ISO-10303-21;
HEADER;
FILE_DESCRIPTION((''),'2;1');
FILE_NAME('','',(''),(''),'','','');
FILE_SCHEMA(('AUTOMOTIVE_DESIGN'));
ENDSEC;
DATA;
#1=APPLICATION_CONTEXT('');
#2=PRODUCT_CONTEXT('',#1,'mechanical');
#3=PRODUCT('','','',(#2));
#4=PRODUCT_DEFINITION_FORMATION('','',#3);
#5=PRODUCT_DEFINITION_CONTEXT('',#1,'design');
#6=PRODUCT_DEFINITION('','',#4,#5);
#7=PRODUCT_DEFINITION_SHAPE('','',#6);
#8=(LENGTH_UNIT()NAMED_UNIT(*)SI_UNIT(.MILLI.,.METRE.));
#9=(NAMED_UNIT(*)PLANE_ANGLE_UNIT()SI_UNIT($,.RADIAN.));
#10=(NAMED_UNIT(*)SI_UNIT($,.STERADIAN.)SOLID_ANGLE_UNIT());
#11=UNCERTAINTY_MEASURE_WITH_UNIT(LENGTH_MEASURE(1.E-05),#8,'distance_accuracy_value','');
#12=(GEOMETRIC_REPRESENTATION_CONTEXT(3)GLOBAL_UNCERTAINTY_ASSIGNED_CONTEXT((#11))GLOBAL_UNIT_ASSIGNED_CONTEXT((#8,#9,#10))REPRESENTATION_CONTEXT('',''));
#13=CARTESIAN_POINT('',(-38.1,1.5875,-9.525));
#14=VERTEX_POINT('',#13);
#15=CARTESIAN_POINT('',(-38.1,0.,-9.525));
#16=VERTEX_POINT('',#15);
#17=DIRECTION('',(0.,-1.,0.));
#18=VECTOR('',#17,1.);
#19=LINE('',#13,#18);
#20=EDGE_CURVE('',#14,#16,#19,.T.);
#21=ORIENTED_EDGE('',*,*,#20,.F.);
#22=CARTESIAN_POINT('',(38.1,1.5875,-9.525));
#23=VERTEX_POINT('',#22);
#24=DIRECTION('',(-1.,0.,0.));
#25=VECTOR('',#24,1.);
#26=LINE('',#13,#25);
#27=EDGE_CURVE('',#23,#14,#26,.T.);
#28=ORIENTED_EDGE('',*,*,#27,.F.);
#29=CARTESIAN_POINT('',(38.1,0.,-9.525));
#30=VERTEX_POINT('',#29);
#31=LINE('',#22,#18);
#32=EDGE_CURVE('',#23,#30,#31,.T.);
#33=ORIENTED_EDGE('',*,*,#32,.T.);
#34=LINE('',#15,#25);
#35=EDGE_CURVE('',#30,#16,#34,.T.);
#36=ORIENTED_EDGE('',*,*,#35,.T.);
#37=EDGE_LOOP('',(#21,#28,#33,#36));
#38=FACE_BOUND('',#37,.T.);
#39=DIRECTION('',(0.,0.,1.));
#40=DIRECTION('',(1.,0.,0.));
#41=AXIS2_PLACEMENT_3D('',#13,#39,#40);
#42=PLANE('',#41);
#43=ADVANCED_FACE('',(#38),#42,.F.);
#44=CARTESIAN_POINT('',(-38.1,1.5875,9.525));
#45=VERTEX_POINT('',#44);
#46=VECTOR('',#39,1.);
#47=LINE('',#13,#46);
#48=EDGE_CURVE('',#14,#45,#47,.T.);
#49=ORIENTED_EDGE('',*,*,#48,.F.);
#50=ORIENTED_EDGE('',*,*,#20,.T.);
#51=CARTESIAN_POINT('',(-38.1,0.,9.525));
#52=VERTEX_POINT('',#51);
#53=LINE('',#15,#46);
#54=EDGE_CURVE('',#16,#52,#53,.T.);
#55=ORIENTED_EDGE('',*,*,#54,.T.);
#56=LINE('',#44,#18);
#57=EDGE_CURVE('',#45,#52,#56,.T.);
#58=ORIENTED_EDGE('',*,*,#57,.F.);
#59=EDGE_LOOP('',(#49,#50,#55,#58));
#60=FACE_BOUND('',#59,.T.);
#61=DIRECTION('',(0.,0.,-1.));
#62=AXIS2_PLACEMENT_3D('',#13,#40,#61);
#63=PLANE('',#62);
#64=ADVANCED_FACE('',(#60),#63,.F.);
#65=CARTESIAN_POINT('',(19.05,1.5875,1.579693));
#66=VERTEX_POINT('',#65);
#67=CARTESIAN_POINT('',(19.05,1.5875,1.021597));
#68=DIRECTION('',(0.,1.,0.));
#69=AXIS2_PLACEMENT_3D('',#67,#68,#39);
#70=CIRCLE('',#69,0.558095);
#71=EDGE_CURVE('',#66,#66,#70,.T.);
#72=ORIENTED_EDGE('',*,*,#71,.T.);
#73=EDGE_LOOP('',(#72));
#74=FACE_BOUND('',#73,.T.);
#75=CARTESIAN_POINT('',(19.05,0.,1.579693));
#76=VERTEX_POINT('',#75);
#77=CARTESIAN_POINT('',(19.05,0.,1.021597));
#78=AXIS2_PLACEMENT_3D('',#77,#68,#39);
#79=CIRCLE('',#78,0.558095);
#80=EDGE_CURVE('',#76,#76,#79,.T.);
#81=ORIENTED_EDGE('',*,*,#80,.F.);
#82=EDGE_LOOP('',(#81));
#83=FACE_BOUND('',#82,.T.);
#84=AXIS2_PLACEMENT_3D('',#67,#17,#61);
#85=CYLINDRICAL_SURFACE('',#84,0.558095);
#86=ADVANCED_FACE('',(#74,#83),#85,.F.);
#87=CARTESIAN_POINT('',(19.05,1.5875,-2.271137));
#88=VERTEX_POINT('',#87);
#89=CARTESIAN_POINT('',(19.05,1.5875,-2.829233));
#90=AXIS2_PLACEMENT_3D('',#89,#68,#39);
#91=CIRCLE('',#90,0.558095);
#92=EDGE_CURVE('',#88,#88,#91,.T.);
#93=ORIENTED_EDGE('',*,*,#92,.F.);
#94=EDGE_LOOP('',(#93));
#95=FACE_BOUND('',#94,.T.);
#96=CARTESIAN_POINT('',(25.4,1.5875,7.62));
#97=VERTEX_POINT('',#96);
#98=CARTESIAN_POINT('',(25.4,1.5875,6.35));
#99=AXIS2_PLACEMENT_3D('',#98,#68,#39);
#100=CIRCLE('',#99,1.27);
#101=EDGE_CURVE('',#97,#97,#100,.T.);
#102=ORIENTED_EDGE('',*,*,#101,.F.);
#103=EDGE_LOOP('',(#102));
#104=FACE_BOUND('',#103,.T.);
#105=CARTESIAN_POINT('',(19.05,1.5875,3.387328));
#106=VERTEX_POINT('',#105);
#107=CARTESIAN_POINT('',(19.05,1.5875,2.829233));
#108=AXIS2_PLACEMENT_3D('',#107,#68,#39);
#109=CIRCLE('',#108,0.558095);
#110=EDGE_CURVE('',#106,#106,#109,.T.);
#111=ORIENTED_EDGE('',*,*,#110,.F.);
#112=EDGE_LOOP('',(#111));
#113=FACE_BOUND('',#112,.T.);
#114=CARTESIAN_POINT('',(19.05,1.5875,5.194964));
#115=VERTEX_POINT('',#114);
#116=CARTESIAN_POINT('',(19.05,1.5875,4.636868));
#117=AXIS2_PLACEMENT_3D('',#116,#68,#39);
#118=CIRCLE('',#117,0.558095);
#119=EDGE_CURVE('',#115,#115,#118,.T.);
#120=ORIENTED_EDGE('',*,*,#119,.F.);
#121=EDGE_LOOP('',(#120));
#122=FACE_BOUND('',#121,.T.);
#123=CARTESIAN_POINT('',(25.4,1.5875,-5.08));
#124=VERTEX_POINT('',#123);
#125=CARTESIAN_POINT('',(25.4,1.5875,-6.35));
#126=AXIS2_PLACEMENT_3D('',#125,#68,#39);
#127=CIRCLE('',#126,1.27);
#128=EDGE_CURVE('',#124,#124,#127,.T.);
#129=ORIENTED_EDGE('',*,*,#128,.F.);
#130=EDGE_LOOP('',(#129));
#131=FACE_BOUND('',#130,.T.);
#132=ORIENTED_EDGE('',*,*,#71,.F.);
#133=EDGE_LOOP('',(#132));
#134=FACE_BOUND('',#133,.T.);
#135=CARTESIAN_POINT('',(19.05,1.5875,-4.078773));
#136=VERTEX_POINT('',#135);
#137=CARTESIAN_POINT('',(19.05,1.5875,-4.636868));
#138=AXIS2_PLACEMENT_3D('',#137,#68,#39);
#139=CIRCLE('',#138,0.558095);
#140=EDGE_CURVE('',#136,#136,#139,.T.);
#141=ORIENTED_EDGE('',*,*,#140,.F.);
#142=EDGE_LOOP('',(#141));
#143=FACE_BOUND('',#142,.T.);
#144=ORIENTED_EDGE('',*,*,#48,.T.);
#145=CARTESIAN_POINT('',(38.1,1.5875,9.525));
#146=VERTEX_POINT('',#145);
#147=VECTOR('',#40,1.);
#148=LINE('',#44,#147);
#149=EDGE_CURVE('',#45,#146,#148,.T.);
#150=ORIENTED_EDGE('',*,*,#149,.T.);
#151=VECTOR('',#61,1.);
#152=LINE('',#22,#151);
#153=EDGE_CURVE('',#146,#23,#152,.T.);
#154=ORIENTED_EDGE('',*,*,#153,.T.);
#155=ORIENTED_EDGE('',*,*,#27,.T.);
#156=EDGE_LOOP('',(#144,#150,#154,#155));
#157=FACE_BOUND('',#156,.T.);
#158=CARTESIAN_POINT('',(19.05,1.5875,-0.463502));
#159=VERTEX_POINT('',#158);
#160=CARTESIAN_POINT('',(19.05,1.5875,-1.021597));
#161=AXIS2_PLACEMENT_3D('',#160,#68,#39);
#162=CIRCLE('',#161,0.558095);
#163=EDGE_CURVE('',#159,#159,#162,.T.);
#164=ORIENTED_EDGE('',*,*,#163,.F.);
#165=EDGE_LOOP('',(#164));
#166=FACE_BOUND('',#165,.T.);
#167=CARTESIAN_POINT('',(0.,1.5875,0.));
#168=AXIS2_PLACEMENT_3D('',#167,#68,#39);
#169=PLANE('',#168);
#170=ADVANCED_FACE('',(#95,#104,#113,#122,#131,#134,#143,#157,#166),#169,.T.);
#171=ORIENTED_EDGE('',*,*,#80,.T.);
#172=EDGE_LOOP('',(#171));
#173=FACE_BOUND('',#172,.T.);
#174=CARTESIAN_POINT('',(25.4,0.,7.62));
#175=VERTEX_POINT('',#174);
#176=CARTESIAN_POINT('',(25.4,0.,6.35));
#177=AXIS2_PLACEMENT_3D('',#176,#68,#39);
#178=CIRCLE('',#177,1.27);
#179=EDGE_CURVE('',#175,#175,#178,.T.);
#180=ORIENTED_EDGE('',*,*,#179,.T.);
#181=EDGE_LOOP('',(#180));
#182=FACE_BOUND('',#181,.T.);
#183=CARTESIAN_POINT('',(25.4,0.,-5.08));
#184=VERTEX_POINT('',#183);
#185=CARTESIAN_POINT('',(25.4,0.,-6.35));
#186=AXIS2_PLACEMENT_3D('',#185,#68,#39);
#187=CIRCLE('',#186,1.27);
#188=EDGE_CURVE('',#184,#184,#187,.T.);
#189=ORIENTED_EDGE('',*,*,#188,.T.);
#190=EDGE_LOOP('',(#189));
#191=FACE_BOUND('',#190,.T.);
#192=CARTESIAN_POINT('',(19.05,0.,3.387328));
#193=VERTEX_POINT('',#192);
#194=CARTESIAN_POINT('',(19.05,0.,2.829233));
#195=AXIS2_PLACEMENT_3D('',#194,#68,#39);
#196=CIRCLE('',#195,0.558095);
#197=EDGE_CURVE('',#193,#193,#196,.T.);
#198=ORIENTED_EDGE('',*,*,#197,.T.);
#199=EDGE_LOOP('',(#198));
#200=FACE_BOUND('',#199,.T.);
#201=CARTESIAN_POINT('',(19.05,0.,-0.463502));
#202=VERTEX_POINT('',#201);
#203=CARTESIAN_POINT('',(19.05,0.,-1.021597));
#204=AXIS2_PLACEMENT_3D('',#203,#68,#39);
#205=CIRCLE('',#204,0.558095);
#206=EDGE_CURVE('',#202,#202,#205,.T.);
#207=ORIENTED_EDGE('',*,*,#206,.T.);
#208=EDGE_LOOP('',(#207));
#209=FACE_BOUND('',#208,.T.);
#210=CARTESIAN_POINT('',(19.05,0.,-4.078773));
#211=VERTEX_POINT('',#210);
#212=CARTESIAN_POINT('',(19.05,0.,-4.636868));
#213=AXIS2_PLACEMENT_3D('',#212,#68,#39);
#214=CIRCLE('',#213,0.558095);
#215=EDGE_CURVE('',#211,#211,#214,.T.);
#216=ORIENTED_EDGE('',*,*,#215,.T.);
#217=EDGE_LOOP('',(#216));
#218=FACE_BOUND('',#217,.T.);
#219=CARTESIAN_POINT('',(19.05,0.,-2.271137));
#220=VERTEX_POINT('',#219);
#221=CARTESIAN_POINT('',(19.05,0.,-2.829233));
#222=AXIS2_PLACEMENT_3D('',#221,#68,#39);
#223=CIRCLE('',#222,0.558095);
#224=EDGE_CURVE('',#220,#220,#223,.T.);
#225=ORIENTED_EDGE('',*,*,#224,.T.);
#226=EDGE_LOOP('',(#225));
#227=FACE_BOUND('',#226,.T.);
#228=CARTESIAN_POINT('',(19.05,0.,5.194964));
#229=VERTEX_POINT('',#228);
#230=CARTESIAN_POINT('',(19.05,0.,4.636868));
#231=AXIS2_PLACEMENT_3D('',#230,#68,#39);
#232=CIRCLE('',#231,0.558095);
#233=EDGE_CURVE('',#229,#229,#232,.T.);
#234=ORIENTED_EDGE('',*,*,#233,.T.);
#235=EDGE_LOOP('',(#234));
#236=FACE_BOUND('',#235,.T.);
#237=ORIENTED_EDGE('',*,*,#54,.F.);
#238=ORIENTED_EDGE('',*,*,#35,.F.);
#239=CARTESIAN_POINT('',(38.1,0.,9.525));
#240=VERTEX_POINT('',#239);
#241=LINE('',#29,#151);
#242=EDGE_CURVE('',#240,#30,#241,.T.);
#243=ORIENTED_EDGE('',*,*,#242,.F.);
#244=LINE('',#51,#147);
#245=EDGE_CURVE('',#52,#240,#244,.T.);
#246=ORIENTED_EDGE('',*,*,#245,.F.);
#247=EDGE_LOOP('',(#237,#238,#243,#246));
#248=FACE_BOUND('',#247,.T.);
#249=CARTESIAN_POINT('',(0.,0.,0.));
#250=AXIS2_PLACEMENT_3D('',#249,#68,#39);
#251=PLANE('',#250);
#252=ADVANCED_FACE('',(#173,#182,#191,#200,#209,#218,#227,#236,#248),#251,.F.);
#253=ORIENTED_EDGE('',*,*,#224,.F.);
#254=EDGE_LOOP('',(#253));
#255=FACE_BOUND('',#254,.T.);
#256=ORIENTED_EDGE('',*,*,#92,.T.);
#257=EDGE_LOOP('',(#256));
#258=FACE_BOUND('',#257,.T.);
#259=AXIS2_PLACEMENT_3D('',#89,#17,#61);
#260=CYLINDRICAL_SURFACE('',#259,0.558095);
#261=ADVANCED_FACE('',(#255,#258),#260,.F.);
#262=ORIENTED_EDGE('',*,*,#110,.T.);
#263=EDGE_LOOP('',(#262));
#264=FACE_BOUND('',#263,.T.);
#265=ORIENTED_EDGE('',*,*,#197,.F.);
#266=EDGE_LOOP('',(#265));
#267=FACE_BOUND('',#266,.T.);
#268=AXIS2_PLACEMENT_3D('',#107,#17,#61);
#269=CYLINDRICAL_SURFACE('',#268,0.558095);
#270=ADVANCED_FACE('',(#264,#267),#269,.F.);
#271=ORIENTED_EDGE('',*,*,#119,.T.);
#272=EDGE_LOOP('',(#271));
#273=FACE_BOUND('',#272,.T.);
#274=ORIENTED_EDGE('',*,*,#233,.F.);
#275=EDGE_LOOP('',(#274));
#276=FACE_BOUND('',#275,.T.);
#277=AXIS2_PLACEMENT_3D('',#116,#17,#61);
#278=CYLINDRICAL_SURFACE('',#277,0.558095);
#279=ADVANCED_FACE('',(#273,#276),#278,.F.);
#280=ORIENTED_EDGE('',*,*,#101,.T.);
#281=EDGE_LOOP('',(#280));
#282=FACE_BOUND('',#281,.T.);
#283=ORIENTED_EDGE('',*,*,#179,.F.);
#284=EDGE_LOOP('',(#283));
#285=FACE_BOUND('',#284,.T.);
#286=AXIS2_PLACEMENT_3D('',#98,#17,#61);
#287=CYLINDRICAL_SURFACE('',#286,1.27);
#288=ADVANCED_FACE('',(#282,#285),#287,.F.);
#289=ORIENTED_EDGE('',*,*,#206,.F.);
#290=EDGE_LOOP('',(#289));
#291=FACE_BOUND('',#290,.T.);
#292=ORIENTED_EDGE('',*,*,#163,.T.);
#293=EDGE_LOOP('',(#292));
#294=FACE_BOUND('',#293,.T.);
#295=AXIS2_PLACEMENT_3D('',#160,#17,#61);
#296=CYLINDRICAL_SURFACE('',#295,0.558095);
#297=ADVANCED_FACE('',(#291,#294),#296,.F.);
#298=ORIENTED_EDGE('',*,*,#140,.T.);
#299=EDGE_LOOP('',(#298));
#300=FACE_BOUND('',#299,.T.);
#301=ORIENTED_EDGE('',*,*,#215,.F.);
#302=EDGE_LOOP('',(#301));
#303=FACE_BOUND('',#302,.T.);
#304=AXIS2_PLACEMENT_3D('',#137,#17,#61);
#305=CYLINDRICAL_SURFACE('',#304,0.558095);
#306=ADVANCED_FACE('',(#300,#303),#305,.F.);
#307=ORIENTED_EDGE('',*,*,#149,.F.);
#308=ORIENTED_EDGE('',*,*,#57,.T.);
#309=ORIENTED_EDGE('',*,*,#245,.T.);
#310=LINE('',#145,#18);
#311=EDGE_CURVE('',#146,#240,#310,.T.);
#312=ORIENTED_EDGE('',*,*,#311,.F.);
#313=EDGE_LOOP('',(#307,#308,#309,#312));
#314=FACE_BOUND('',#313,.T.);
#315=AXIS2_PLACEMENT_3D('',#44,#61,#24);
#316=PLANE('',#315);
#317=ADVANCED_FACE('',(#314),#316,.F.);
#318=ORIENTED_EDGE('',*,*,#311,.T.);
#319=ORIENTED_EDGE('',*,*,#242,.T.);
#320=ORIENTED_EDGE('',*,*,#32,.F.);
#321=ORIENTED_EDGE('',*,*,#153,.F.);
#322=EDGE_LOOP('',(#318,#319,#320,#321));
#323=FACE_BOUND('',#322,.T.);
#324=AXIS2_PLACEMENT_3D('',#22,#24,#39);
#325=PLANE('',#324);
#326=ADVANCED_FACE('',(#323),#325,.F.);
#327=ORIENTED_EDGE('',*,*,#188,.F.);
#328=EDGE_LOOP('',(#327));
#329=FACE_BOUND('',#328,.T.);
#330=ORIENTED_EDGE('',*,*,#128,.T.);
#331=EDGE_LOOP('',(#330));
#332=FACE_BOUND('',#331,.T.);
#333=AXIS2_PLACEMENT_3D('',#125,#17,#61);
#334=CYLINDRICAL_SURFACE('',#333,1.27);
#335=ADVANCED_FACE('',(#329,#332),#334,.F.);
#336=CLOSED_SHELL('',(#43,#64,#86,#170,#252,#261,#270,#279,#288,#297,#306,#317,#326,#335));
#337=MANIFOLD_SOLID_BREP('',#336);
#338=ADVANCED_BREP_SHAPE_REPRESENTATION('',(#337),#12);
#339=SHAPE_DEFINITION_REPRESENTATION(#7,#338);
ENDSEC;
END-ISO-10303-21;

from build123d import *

# Parameters (mm, degrees)
SKETCH1_W           = 76.2
SKETCH1_H           = 19.05
SKETCH1_R           = 1.27
SKETCH1_R_2         = 0.558095423
BOSS_EXTRUDE1_DEPTH = 1.5875


with BuildPart() as part:
    # Sketch1 → Boss-Extrude1 (new body)
    with BuildSketch(Plane(origin=(0, 0, 0), x_dir=(1, 0, 0), z_dir=(0, 1, 0))):
        Rectangle(SKETCH1_W, SKETCH1_H)
        with Locations(Location((25.4, 6.35, 0), (0, 0, 270))):
            Circle(SKETCH1_R, mode=Mode.SUBTRACT)
        with Locations(Location((25.4, -6.35, 0), (0, 0, 270))):
            Circle(SKETCH1_R, mode=Mode.SUBTRACT)
        with Locations(Location((19.05, -4.636868291, 0), (0, 0, 270))):
            Circle(SKETCH1_R_2, mode=Mode.SUBTRACT)
        with Locations(Location((19.05, -2.829232885, 0), (0, 0, 270))):
            Circle(SKETCH1_R_2, mode=Mode.SUBTRACT)
        with Locations(Location((19.05, -1.021597478, 0), (0, 0, 270))):
            Circle(SKETCH1_R_2, mode=Mode.SUBTRACT)
        with Locations(Location((19.05, 4.636868291, 0), (0, 0, 270))):
            Circle(SKETCH1_R_2, mode=Mode.SUBTRACT)
        with Locations(Location((19.05, 2.829232885, 0), (0, 0, 270))):
            Circle(SKETCH1_R_2, mode=Mode.SUBTRACT)
        with Locations(Location((19.05, 1.021597478, 0), (0, 0, 270))):
            Circle(SKETCH1_R_2, mode=Mode.SUBTRACT)
    extrude(amount=BOSS_EXTRUDE1_DEPTH)


solid = part.part
